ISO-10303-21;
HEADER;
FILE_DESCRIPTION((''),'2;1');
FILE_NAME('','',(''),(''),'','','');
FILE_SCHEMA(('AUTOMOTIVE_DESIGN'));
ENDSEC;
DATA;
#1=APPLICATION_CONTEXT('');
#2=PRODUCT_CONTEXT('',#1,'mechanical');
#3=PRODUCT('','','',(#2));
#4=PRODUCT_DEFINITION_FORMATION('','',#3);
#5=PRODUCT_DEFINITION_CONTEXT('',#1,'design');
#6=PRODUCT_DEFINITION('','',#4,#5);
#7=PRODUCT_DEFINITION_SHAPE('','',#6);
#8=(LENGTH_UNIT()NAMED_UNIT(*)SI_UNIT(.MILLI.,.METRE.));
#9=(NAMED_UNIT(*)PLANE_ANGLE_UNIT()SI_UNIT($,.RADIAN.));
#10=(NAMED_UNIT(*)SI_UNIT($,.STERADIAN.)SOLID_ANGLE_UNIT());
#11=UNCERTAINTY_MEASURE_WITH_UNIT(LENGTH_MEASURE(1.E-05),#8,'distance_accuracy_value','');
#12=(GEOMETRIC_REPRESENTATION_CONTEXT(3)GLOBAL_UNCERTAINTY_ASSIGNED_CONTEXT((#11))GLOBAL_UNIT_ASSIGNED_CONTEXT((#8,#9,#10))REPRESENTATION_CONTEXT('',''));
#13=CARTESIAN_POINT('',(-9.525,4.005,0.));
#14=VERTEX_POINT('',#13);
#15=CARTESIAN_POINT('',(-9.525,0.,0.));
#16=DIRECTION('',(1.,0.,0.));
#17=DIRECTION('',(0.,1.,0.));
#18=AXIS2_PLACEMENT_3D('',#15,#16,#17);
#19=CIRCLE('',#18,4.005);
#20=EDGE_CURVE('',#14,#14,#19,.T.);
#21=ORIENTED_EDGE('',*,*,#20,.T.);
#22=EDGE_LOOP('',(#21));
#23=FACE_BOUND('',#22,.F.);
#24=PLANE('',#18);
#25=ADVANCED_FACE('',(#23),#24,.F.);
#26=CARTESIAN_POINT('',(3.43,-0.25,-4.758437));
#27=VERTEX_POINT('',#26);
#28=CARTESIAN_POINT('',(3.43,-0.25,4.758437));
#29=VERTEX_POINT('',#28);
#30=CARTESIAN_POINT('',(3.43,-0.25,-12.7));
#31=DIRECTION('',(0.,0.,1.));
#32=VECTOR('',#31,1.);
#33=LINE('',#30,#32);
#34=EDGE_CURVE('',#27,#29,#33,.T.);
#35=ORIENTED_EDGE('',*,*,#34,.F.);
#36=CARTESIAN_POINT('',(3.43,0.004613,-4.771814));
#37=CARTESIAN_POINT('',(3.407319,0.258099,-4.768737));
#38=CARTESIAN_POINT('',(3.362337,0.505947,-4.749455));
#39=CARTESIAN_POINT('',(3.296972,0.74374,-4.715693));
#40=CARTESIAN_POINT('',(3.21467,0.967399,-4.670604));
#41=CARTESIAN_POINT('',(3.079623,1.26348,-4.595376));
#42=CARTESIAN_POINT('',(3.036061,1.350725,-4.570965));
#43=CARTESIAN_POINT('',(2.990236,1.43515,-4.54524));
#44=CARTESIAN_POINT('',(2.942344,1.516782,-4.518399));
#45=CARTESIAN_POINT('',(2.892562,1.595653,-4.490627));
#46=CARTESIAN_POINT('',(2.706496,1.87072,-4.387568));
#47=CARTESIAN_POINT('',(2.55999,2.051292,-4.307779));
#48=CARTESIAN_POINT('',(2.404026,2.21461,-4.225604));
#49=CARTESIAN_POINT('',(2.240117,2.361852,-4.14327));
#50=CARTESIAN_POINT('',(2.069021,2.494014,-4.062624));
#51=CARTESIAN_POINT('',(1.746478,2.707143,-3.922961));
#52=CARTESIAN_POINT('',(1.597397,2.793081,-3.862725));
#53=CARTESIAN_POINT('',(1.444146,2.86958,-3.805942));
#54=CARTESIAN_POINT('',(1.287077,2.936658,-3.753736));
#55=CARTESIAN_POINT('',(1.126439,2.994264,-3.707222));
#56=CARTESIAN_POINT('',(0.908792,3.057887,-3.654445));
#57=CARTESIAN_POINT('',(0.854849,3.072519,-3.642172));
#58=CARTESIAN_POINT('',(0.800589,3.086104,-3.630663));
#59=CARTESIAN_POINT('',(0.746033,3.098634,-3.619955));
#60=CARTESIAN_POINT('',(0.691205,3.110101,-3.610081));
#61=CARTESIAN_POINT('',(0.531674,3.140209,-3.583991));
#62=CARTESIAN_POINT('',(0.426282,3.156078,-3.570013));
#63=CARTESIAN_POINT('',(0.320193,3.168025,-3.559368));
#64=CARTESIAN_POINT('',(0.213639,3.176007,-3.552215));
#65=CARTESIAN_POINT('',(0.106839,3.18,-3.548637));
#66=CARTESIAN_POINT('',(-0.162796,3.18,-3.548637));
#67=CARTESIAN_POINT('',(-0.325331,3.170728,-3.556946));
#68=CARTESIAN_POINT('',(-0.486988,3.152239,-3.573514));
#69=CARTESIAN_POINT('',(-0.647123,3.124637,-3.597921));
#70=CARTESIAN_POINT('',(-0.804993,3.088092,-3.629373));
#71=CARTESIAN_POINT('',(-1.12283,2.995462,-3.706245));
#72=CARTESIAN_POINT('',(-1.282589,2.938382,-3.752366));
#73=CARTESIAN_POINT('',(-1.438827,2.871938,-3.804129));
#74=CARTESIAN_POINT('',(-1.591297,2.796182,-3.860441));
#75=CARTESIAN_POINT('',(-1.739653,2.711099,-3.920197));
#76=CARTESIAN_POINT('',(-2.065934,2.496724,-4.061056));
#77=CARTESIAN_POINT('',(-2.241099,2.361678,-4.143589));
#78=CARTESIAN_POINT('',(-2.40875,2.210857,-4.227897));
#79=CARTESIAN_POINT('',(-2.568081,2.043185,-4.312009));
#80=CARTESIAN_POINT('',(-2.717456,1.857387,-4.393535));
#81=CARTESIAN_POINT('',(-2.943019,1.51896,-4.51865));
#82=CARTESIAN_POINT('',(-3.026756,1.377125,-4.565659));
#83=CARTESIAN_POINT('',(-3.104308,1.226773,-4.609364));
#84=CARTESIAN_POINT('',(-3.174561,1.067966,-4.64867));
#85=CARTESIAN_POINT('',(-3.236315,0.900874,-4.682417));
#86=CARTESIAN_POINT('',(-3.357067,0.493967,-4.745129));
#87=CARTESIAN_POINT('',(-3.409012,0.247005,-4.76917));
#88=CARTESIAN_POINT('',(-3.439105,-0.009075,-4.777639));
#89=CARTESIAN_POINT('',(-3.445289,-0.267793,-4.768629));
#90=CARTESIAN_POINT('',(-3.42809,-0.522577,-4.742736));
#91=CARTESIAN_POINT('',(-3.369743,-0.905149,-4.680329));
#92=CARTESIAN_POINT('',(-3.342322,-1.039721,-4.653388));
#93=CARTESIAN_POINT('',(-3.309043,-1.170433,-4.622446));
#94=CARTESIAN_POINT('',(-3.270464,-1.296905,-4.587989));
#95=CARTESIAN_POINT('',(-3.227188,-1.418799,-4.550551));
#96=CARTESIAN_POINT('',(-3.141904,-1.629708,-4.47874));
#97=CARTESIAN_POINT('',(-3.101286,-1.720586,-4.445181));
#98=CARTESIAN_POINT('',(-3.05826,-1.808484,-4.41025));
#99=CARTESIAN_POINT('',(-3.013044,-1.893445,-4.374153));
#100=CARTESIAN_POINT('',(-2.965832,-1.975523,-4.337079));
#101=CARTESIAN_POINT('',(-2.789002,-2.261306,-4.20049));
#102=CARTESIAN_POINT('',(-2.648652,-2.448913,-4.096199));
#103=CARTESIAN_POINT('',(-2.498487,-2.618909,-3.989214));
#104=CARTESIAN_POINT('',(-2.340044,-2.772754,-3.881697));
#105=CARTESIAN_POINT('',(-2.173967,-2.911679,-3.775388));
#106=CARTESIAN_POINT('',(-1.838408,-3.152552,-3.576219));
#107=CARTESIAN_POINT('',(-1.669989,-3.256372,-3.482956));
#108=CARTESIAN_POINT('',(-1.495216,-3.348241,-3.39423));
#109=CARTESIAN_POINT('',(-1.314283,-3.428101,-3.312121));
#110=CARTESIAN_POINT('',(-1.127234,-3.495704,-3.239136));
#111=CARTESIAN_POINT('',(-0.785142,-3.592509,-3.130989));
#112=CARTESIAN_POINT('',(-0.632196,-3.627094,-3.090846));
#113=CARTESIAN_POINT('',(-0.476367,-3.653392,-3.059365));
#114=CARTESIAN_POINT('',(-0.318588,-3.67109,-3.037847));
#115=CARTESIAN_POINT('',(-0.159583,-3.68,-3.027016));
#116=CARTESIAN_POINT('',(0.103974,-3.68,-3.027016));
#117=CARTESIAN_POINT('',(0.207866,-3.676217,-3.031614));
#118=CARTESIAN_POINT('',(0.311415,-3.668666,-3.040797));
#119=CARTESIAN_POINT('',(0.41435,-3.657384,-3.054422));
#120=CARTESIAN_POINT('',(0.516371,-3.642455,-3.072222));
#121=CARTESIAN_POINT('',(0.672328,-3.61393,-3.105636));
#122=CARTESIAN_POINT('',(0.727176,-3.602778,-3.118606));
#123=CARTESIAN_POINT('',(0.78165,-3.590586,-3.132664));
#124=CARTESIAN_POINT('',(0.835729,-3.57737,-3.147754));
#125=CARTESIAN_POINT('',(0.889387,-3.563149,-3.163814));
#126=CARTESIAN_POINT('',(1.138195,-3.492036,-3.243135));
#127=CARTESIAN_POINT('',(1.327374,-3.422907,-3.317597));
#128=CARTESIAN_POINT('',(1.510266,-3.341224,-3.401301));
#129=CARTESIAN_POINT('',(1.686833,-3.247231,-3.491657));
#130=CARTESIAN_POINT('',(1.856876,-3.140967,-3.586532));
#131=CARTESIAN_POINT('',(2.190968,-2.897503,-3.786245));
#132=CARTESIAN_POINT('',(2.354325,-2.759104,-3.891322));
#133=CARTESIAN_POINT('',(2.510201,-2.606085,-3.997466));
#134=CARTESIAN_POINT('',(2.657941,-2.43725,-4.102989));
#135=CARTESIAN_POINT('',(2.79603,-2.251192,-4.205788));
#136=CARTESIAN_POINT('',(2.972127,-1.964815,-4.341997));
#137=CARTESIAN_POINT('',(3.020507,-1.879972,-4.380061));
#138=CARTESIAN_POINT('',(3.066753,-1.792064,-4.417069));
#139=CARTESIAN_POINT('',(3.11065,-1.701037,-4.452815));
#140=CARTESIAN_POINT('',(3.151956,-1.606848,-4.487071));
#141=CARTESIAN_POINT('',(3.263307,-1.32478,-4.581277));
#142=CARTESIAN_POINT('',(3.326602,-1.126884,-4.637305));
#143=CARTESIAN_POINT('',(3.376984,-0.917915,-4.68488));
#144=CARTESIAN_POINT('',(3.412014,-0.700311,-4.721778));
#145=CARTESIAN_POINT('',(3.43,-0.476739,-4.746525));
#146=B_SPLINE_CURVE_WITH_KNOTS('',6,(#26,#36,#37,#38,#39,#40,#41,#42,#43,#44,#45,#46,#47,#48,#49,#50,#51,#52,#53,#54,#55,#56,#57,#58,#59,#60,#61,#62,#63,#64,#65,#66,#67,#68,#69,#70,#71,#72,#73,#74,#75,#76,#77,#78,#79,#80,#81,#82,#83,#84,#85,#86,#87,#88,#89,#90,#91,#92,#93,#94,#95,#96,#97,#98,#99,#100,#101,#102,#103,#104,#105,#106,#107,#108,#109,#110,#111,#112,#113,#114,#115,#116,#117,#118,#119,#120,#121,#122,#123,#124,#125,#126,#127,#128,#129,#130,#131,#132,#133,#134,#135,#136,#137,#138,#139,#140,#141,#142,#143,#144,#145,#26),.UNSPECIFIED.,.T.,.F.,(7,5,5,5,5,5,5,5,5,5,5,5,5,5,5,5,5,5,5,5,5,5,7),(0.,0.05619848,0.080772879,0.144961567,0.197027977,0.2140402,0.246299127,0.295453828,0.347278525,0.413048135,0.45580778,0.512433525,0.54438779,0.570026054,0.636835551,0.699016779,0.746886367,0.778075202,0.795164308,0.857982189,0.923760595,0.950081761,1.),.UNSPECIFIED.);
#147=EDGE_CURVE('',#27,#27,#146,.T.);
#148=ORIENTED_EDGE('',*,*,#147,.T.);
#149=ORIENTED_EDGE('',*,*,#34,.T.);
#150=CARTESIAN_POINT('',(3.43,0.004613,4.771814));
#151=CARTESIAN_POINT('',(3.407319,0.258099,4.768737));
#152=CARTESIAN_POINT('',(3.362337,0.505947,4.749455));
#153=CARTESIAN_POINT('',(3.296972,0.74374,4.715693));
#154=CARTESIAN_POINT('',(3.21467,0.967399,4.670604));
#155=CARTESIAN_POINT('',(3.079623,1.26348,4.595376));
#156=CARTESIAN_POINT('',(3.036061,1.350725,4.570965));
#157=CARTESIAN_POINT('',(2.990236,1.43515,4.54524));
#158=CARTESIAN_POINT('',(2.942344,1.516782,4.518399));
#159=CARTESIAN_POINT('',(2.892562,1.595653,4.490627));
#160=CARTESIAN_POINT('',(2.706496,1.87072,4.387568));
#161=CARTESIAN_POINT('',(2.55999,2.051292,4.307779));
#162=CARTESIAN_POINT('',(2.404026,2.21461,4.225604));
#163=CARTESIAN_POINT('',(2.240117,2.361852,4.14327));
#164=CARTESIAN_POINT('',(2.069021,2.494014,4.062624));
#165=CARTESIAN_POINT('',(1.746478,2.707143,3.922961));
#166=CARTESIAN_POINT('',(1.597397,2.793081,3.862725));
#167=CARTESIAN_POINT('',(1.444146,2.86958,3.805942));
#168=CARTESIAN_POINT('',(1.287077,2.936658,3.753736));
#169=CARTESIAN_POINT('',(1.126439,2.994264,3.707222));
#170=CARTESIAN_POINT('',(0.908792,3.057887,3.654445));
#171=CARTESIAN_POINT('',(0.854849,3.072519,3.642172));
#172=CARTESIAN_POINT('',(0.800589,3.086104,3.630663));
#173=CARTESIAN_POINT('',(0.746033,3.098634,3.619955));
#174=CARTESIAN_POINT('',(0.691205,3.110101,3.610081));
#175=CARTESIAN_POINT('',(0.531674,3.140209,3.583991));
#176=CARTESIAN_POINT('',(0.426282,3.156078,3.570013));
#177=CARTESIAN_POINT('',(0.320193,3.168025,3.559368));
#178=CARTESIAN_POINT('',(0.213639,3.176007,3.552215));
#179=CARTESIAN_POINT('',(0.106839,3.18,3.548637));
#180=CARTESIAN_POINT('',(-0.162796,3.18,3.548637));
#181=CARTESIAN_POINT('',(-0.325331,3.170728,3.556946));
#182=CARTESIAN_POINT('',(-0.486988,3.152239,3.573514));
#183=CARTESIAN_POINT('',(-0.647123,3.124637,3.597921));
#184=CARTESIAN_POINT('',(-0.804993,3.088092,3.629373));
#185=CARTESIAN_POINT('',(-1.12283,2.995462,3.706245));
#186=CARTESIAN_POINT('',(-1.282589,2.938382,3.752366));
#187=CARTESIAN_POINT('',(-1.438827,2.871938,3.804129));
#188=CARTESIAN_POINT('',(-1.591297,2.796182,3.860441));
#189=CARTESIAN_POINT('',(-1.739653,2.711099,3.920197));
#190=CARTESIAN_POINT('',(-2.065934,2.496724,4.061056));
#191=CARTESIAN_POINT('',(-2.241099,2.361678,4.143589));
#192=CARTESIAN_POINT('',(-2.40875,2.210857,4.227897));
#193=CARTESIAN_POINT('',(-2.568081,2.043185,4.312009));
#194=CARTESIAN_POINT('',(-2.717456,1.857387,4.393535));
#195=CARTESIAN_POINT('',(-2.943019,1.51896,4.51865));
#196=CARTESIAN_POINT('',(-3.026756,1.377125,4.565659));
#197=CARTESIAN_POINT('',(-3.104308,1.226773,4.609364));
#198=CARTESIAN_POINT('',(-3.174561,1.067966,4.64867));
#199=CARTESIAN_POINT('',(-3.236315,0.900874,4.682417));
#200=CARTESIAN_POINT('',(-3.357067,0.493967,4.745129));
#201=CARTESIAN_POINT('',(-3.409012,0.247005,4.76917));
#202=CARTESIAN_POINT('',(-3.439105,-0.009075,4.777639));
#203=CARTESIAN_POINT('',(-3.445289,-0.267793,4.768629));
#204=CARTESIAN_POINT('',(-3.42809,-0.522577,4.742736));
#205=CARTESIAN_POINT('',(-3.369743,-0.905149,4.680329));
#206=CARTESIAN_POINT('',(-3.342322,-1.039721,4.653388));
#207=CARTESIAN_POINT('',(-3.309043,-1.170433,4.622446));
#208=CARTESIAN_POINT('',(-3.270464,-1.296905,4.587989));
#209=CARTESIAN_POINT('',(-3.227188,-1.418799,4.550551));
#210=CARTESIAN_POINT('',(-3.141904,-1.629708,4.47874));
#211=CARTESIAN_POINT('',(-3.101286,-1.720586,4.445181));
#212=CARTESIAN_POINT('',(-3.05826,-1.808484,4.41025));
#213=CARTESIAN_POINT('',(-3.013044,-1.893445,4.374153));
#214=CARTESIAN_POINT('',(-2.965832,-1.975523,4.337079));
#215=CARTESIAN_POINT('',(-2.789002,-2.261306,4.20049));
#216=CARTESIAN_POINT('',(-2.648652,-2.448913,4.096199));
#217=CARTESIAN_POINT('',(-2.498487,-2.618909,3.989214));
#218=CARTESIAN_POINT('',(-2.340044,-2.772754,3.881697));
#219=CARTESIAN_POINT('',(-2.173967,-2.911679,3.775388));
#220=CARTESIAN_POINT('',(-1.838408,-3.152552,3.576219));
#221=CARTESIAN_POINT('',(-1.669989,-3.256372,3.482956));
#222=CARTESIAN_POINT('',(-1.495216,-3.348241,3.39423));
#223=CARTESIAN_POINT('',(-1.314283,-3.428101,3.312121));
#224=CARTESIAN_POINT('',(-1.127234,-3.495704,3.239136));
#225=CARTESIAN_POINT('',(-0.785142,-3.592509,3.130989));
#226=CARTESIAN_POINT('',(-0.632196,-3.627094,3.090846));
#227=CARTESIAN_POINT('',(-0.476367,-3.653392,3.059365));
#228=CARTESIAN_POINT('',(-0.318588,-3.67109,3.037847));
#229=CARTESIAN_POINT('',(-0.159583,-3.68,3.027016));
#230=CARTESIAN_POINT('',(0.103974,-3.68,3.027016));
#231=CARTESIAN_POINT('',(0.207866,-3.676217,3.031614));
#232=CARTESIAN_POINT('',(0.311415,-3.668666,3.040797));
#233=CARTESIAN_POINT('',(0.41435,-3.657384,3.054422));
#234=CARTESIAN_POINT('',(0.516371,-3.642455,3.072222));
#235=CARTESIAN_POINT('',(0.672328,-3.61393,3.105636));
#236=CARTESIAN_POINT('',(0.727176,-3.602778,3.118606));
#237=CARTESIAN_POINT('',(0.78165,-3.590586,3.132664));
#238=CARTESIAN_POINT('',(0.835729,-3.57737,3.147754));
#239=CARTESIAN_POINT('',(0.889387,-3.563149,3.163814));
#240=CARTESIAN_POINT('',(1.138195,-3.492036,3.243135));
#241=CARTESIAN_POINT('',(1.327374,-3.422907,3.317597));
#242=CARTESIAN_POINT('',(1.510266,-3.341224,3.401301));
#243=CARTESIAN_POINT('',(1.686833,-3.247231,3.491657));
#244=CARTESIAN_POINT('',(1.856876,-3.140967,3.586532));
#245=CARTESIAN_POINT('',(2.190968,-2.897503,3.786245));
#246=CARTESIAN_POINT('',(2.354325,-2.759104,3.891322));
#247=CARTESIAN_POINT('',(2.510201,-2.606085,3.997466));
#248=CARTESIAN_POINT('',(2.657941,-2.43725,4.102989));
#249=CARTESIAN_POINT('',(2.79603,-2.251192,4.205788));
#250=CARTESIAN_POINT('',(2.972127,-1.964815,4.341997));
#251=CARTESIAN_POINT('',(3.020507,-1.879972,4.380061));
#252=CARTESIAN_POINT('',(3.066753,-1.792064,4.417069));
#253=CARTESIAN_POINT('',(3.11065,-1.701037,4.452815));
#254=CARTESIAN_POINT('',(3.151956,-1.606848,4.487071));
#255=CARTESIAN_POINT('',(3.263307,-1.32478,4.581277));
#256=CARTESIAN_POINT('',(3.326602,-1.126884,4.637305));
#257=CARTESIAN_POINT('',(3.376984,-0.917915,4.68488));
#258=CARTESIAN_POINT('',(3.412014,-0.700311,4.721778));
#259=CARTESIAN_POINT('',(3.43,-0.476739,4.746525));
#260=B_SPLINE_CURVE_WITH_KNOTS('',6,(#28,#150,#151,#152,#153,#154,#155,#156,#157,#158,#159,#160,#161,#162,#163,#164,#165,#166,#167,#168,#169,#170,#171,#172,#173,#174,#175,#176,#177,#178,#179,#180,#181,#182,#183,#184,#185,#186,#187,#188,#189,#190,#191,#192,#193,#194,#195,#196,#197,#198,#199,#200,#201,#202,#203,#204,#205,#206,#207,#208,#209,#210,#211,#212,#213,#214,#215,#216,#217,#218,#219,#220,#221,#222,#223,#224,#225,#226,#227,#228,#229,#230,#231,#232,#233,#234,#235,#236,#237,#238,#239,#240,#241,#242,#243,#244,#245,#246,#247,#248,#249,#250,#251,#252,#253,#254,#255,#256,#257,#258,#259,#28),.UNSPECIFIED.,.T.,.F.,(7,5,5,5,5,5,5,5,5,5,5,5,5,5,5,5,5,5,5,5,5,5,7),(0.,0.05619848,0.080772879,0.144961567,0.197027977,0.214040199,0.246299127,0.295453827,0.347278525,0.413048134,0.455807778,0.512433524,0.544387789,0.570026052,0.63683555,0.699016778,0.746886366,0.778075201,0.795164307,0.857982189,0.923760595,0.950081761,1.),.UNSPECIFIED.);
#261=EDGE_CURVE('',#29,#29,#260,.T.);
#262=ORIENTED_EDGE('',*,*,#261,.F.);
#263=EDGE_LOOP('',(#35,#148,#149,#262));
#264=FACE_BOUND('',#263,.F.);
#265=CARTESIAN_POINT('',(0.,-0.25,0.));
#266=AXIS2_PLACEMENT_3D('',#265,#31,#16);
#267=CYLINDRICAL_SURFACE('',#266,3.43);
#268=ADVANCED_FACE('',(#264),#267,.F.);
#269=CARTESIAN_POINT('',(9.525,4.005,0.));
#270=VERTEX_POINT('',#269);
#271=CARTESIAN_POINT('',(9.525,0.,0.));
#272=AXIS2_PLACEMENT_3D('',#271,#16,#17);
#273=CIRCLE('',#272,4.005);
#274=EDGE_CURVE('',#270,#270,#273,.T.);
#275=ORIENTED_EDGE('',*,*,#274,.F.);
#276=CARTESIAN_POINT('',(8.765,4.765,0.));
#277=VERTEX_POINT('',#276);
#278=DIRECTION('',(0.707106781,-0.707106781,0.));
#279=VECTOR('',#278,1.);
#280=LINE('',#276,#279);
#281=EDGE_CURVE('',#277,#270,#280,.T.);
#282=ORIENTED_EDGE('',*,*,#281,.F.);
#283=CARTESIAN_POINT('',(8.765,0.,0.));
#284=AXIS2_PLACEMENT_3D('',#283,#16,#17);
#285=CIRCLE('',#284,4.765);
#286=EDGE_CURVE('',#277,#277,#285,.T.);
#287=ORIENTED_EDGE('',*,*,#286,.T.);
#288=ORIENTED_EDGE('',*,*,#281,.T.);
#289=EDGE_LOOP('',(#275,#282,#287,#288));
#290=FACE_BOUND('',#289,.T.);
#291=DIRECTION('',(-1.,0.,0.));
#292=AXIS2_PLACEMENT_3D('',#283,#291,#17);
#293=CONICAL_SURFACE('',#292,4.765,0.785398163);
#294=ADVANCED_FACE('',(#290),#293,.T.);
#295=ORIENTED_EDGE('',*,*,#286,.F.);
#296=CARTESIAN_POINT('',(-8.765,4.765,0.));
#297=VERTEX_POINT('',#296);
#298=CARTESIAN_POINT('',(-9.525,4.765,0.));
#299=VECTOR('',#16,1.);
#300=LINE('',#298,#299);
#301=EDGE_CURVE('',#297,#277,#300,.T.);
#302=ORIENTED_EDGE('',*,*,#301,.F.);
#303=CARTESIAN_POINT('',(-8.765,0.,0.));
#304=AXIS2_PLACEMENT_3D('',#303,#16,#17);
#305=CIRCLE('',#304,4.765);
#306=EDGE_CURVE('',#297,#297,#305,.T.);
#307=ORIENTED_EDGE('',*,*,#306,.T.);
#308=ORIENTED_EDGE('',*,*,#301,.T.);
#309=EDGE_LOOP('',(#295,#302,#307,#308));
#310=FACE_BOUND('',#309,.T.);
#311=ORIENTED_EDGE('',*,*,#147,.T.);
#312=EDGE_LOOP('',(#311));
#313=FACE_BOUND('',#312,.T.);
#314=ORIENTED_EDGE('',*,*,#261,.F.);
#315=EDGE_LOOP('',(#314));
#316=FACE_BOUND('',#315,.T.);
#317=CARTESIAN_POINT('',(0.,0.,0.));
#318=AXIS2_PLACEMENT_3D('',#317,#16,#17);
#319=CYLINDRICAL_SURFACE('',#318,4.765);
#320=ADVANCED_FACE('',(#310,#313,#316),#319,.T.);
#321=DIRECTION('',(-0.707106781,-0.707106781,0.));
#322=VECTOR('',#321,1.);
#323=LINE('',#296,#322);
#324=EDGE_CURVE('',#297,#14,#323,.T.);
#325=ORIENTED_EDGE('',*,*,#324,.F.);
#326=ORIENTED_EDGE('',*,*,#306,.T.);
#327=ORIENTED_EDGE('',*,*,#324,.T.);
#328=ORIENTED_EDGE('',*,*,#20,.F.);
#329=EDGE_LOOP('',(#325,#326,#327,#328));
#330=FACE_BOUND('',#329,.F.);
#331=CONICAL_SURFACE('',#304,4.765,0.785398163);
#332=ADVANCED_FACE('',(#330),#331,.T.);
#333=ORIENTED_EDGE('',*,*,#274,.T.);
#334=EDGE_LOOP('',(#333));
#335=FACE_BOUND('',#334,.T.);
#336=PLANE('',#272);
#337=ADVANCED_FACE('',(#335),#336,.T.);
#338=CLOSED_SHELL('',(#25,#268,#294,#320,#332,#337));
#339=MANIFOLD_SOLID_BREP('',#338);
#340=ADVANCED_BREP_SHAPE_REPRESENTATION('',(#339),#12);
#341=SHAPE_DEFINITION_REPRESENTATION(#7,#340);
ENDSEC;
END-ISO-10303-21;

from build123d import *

# Parameters (mm, degrees)
F0_R     = 4.765
F1_DEPTH = 9.525
F2_SIZE  = 0.76
F3_R     = 3.43
F4_DEPTH = 12.7


with BuildPart() as f1:
    # F0 (on Right) → F1 (new body, symmetric)
    with BuildSketch(Plane.YZ):
        Circle(F0_R)
    extrude(amount=F1_DEPTH, both=True)

    # F2
    f2_edges = [f1.edges().sort_by_distance(p)[0] for p in [
        (-9.525, -4.765, 0),
        (0, 4.765, 0),
        (9.525, -4.765, 0),
    ]]
    chamfer(f2_edges, length=F2_SIZE)

    # F3 (on Top) → F4 (cut, symmetric)
    with BuildSketch(Plane.XY):
        with Locations((0, -0.25)):
            Circle(F3_R)
    extrude(amount=F4_DEPTH, both=True, mode=Mode.SUBTRACT)


solid = f1.part
